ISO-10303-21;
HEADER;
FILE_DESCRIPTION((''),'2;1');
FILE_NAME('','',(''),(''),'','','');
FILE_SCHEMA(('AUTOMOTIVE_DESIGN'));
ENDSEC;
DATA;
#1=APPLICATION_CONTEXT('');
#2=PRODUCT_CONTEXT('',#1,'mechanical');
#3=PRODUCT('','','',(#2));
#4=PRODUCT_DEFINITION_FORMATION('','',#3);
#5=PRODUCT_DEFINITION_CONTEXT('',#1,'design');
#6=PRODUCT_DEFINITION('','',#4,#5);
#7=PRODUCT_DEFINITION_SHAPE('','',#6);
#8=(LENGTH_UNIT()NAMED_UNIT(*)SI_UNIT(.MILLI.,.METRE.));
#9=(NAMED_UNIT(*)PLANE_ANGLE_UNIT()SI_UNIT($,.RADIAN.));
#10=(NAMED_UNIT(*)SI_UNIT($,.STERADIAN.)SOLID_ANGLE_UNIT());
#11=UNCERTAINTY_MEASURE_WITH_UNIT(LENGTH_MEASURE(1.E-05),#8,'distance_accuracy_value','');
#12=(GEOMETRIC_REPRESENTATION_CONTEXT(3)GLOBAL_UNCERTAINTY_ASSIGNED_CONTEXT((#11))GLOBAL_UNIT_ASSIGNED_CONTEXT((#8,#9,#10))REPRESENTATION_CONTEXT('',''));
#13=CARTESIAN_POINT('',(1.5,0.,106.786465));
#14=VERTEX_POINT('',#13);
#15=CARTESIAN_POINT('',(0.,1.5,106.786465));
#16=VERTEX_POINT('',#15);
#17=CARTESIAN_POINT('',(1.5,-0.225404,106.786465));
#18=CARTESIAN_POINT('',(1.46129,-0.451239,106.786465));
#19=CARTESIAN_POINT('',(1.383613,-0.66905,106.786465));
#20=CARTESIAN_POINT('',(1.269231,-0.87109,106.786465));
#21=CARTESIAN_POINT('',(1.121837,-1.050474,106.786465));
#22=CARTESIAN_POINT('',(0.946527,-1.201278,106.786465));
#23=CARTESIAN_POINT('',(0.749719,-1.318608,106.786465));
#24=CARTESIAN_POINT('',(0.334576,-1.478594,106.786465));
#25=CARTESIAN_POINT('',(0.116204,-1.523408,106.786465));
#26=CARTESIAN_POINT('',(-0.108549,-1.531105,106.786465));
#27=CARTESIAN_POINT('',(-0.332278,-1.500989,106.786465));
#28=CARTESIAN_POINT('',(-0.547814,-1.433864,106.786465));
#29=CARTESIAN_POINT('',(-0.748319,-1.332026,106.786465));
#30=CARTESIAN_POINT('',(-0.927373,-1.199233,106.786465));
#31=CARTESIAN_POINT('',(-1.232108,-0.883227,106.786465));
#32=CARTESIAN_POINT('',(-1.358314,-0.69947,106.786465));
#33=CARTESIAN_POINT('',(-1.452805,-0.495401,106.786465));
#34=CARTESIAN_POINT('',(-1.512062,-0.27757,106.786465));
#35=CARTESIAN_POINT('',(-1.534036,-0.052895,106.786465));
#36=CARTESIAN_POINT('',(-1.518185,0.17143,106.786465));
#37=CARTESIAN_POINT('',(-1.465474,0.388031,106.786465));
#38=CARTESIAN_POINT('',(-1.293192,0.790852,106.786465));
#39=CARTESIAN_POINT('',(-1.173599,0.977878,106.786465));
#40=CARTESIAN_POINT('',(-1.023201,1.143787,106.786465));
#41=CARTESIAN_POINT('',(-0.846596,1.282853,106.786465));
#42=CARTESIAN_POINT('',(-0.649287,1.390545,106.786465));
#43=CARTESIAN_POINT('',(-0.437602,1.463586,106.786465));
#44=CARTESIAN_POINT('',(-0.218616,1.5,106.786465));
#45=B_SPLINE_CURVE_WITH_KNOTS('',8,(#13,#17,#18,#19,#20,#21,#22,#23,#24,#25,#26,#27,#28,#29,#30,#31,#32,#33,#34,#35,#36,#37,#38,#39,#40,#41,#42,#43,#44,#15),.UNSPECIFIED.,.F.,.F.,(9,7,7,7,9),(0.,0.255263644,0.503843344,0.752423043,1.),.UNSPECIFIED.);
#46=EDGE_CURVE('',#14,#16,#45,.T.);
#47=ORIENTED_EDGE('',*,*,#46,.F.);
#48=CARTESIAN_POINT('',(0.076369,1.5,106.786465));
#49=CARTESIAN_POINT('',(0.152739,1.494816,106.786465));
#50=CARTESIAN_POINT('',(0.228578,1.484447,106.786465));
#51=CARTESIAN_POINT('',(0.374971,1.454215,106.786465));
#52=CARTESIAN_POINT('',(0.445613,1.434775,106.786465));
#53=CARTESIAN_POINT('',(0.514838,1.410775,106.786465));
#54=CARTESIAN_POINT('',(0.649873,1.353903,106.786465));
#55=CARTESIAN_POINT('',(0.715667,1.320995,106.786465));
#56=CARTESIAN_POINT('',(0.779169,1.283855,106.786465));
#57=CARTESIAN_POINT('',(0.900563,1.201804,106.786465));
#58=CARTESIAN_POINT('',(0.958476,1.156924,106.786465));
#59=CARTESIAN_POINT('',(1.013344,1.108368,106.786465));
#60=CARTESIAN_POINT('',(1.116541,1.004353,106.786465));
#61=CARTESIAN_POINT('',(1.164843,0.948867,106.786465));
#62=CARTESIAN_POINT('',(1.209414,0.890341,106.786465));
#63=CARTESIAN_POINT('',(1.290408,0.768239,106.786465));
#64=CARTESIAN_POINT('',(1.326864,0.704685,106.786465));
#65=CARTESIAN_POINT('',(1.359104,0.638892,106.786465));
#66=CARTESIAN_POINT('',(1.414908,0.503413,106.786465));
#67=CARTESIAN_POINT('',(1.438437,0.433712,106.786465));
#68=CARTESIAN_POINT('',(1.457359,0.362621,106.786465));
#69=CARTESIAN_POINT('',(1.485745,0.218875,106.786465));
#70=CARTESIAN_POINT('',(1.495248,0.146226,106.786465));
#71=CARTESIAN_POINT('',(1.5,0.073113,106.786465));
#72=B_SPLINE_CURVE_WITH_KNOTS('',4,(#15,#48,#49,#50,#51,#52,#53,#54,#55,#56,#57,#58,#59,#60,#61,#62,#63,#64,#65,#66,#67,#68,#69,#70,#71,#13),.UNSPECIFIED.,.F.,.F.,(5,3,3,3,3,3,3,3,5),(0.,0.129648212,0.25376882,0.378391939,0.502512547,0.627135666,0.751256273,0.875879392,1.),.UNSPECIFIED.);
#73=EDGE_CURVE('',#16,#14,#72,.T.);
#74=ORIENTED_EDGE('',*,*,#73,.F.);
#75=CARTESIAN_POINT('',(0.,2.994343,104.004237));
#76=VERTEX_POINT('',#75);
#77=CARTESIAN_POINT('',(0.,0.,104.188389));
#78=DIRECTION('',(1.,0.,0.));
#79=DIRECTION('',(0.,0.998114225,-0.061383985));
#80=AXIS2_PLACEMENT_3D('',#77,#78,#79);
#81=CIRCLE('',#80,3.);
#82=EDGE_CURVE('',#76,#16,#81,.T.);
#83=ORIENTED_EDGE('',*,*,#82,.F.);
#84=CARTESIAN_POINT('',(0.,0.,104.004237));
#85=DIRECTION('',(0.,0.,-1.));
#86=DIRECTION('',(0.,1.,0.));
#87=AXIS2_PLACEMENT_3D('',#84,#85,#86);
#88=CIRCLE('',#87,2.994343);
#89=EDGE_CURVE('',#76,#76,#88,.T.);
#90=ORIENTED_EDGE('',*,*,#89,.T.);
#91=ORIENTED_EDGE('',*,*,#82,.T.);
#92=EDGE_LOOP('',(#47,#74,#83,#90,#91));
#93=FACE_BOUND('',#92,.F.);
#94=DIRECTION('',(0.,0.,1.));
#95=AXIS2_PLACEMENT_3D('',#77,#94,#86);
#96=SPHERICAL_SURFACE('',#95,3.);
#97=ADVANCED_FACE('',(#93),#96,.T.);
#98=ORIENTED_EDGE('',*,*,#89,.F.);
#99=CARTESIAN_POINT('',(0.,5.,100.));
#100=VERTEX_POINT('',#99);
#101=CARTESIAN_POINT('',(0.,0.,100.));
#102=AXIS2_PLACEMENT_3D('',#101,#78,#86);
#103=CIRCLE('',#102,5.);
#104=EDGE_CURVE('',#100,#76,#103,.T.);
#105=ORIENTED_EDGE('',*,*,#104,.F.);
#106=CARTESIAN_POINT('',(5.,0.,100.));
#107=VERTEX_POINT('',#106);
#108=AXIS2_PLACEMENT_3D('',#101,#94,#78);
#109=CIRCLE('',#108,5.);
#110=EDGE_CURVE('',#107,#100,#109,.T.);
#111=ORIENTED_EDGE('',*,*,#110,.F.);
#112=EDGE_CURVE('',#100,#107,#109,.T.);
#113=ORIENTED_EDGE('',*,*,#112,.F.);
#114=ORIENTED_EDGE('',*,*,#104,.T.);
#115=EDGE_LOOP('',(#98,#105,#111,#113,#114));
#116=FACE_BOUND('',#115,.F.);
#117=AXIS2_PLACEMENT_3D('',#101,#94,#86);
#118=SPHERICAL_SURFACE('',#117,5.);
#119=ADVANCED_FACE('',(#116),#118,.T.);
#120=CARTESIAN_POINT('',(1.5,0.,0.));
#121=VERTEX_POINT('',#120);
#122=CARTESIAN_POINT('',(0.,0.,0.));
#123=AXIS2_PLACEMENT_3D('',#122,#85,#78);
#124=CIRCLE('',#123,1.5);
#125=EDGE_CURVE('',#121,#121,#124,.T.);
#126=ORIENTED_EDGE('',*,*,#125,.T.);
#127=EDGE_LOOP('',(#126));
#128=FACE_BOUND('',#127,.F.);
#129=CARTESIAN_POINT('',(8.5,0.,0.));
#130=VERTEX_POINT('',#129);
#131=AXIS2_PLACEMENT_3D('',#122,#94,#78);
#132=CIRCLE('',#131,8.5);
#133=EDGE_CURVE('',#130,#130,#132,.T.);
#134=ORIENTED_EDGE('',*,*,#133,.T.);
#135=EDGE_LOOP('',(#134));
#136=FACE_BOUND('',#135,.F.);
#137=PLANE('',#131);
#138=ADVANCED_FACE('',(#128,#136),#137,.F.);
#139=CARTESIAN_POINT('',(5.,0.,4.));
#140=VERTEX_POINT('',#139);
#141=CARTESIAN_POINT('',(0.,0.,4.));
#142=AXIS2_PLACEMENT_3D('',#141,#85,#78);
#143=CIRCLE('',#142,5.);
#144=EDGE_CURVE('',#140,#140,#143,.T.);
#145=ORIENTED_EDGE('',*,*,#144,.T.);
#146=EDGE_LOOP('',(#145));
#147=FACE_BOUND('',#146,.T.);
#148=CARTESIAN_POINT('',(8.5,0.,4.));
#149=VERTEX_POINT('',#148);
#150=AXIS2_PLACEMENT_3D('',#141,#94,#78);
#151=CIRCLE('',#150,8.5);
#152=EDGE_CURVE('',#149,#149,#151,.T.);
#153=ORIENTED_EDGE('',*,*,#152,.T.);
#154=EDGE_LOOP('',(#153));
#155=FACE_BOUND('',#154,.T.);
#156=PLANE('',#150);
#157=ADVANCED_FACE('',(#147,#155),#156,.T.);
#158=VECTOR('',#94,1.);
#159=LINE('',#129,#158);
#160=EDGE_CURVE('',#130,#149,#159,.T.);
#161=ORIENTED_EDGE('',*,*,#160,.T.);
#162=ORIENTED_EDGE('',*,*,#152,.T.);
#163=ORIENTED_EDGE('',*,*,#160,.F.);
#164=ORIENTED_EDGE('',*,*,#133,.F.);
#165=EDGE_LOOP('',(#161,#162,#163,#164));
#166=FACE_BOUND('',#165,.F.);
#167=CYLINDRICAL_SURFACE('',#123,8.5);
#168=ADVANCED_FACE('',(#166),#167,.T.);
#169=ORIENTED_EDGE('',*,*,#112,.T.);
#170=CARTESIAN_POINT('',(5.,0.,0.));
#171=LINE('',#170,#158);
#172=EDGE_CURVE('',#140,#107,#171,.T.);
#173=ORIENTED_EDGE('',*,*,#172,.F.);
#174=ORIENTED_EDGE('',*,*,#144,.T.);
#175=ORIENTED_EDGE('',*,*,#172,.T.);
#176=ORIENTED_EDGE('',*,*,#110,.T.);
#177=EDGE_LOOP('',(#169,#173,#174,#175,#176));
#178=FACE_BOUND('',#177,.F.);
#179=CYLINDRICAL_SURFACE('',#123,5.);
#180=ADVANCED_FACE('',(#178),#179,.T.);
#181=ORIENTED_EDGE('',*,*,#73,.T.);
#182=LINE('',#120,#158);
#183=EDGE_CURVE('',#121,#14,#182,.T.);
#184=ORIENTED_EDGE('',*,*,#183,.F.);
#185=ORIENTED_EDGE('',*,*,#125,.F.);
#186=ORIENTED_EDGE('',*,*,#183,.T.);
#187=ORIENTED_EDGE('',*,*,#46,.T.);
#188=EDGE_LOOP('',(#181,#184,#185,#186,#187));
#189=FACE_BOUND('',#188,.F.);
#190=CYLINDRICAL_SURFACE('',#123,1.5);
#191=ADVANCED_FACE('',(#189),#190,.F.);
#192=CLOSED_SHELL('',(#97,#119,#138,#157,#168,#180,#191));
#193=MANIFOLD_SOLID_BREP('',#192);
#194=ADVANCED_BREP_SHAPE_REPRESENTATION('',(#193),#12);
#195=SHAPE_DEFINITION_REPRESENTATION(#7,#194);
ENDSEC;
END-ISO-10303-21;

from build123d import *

# Parameters (mm, degrees)
F0_R     = 8.5
F1_DEPTH = 4
F2_R     = 5
F3_DEPTH = 100
F6_R     = 1.5
F7_DEPTH = 121.2


with BuildPart() as f1:
    # F0 (on Top) → F1 (new body)
    with BuildSketch(Plane.XY):
        Circle(F0_R)
    extrude(amount=F1_DEPTH)

    # F2 (on Top) → F3 (join)
    with BuildSketch(Plane.XY):
        Circle(F2_R)
    extrude(amount=F3_DEPTH)

    # F4 (on Right) → F5 (revolve)
    with BuildSketch(Plane.YZ):
        with BuildLine():
            Line((0, 104.0042367491), (0, 100))
            Line((0, 100), (5, 100))
            ThreePointArc((5, 100), (4.470554405, 102.2392282849), (2.9943426753, 104.0042367491))
            Line((2.9943426753, 104.0042367491), (0, 104.0042367491))
        make_face()
        with BuildLine():
            ThreePointArc((0, 105), (1.5777858306, 104.7445328403), (2.9943426753, 104.0042367491))
            ThreePointArc((2.9943426753, 104.0042367491), (2.1854582893, 106.243570465), (0, 107.1883887053))
            Line((0, 107.1883887053), (0, 105))
        make_face()
        with BuildLine():
            Line((0, 105), (0, 104.0042367491))
            Line((0, 104.0042367491), (2.9943426753, 104.0042367491))
            ThreePointArc((2.9943426753, 104.0042367491), (1.5777858306, 104.7445328403), (0, 105))
        make_face()
    revolve(axis=Axis((0, 0, 103.5941943526), (0, 0, -1)))

    # F6 (on face) → F7 (cut)
    with BuildSketch(Plane(origin=(0, 0, 0), x_dir=(1, 0, 0), z_dir=(0, 0, -1))):
        Circle(F6_R)
    extrude(amount=-F7_DEPTH, mode=Mode.SUBTRACT)


solid = f1.part
